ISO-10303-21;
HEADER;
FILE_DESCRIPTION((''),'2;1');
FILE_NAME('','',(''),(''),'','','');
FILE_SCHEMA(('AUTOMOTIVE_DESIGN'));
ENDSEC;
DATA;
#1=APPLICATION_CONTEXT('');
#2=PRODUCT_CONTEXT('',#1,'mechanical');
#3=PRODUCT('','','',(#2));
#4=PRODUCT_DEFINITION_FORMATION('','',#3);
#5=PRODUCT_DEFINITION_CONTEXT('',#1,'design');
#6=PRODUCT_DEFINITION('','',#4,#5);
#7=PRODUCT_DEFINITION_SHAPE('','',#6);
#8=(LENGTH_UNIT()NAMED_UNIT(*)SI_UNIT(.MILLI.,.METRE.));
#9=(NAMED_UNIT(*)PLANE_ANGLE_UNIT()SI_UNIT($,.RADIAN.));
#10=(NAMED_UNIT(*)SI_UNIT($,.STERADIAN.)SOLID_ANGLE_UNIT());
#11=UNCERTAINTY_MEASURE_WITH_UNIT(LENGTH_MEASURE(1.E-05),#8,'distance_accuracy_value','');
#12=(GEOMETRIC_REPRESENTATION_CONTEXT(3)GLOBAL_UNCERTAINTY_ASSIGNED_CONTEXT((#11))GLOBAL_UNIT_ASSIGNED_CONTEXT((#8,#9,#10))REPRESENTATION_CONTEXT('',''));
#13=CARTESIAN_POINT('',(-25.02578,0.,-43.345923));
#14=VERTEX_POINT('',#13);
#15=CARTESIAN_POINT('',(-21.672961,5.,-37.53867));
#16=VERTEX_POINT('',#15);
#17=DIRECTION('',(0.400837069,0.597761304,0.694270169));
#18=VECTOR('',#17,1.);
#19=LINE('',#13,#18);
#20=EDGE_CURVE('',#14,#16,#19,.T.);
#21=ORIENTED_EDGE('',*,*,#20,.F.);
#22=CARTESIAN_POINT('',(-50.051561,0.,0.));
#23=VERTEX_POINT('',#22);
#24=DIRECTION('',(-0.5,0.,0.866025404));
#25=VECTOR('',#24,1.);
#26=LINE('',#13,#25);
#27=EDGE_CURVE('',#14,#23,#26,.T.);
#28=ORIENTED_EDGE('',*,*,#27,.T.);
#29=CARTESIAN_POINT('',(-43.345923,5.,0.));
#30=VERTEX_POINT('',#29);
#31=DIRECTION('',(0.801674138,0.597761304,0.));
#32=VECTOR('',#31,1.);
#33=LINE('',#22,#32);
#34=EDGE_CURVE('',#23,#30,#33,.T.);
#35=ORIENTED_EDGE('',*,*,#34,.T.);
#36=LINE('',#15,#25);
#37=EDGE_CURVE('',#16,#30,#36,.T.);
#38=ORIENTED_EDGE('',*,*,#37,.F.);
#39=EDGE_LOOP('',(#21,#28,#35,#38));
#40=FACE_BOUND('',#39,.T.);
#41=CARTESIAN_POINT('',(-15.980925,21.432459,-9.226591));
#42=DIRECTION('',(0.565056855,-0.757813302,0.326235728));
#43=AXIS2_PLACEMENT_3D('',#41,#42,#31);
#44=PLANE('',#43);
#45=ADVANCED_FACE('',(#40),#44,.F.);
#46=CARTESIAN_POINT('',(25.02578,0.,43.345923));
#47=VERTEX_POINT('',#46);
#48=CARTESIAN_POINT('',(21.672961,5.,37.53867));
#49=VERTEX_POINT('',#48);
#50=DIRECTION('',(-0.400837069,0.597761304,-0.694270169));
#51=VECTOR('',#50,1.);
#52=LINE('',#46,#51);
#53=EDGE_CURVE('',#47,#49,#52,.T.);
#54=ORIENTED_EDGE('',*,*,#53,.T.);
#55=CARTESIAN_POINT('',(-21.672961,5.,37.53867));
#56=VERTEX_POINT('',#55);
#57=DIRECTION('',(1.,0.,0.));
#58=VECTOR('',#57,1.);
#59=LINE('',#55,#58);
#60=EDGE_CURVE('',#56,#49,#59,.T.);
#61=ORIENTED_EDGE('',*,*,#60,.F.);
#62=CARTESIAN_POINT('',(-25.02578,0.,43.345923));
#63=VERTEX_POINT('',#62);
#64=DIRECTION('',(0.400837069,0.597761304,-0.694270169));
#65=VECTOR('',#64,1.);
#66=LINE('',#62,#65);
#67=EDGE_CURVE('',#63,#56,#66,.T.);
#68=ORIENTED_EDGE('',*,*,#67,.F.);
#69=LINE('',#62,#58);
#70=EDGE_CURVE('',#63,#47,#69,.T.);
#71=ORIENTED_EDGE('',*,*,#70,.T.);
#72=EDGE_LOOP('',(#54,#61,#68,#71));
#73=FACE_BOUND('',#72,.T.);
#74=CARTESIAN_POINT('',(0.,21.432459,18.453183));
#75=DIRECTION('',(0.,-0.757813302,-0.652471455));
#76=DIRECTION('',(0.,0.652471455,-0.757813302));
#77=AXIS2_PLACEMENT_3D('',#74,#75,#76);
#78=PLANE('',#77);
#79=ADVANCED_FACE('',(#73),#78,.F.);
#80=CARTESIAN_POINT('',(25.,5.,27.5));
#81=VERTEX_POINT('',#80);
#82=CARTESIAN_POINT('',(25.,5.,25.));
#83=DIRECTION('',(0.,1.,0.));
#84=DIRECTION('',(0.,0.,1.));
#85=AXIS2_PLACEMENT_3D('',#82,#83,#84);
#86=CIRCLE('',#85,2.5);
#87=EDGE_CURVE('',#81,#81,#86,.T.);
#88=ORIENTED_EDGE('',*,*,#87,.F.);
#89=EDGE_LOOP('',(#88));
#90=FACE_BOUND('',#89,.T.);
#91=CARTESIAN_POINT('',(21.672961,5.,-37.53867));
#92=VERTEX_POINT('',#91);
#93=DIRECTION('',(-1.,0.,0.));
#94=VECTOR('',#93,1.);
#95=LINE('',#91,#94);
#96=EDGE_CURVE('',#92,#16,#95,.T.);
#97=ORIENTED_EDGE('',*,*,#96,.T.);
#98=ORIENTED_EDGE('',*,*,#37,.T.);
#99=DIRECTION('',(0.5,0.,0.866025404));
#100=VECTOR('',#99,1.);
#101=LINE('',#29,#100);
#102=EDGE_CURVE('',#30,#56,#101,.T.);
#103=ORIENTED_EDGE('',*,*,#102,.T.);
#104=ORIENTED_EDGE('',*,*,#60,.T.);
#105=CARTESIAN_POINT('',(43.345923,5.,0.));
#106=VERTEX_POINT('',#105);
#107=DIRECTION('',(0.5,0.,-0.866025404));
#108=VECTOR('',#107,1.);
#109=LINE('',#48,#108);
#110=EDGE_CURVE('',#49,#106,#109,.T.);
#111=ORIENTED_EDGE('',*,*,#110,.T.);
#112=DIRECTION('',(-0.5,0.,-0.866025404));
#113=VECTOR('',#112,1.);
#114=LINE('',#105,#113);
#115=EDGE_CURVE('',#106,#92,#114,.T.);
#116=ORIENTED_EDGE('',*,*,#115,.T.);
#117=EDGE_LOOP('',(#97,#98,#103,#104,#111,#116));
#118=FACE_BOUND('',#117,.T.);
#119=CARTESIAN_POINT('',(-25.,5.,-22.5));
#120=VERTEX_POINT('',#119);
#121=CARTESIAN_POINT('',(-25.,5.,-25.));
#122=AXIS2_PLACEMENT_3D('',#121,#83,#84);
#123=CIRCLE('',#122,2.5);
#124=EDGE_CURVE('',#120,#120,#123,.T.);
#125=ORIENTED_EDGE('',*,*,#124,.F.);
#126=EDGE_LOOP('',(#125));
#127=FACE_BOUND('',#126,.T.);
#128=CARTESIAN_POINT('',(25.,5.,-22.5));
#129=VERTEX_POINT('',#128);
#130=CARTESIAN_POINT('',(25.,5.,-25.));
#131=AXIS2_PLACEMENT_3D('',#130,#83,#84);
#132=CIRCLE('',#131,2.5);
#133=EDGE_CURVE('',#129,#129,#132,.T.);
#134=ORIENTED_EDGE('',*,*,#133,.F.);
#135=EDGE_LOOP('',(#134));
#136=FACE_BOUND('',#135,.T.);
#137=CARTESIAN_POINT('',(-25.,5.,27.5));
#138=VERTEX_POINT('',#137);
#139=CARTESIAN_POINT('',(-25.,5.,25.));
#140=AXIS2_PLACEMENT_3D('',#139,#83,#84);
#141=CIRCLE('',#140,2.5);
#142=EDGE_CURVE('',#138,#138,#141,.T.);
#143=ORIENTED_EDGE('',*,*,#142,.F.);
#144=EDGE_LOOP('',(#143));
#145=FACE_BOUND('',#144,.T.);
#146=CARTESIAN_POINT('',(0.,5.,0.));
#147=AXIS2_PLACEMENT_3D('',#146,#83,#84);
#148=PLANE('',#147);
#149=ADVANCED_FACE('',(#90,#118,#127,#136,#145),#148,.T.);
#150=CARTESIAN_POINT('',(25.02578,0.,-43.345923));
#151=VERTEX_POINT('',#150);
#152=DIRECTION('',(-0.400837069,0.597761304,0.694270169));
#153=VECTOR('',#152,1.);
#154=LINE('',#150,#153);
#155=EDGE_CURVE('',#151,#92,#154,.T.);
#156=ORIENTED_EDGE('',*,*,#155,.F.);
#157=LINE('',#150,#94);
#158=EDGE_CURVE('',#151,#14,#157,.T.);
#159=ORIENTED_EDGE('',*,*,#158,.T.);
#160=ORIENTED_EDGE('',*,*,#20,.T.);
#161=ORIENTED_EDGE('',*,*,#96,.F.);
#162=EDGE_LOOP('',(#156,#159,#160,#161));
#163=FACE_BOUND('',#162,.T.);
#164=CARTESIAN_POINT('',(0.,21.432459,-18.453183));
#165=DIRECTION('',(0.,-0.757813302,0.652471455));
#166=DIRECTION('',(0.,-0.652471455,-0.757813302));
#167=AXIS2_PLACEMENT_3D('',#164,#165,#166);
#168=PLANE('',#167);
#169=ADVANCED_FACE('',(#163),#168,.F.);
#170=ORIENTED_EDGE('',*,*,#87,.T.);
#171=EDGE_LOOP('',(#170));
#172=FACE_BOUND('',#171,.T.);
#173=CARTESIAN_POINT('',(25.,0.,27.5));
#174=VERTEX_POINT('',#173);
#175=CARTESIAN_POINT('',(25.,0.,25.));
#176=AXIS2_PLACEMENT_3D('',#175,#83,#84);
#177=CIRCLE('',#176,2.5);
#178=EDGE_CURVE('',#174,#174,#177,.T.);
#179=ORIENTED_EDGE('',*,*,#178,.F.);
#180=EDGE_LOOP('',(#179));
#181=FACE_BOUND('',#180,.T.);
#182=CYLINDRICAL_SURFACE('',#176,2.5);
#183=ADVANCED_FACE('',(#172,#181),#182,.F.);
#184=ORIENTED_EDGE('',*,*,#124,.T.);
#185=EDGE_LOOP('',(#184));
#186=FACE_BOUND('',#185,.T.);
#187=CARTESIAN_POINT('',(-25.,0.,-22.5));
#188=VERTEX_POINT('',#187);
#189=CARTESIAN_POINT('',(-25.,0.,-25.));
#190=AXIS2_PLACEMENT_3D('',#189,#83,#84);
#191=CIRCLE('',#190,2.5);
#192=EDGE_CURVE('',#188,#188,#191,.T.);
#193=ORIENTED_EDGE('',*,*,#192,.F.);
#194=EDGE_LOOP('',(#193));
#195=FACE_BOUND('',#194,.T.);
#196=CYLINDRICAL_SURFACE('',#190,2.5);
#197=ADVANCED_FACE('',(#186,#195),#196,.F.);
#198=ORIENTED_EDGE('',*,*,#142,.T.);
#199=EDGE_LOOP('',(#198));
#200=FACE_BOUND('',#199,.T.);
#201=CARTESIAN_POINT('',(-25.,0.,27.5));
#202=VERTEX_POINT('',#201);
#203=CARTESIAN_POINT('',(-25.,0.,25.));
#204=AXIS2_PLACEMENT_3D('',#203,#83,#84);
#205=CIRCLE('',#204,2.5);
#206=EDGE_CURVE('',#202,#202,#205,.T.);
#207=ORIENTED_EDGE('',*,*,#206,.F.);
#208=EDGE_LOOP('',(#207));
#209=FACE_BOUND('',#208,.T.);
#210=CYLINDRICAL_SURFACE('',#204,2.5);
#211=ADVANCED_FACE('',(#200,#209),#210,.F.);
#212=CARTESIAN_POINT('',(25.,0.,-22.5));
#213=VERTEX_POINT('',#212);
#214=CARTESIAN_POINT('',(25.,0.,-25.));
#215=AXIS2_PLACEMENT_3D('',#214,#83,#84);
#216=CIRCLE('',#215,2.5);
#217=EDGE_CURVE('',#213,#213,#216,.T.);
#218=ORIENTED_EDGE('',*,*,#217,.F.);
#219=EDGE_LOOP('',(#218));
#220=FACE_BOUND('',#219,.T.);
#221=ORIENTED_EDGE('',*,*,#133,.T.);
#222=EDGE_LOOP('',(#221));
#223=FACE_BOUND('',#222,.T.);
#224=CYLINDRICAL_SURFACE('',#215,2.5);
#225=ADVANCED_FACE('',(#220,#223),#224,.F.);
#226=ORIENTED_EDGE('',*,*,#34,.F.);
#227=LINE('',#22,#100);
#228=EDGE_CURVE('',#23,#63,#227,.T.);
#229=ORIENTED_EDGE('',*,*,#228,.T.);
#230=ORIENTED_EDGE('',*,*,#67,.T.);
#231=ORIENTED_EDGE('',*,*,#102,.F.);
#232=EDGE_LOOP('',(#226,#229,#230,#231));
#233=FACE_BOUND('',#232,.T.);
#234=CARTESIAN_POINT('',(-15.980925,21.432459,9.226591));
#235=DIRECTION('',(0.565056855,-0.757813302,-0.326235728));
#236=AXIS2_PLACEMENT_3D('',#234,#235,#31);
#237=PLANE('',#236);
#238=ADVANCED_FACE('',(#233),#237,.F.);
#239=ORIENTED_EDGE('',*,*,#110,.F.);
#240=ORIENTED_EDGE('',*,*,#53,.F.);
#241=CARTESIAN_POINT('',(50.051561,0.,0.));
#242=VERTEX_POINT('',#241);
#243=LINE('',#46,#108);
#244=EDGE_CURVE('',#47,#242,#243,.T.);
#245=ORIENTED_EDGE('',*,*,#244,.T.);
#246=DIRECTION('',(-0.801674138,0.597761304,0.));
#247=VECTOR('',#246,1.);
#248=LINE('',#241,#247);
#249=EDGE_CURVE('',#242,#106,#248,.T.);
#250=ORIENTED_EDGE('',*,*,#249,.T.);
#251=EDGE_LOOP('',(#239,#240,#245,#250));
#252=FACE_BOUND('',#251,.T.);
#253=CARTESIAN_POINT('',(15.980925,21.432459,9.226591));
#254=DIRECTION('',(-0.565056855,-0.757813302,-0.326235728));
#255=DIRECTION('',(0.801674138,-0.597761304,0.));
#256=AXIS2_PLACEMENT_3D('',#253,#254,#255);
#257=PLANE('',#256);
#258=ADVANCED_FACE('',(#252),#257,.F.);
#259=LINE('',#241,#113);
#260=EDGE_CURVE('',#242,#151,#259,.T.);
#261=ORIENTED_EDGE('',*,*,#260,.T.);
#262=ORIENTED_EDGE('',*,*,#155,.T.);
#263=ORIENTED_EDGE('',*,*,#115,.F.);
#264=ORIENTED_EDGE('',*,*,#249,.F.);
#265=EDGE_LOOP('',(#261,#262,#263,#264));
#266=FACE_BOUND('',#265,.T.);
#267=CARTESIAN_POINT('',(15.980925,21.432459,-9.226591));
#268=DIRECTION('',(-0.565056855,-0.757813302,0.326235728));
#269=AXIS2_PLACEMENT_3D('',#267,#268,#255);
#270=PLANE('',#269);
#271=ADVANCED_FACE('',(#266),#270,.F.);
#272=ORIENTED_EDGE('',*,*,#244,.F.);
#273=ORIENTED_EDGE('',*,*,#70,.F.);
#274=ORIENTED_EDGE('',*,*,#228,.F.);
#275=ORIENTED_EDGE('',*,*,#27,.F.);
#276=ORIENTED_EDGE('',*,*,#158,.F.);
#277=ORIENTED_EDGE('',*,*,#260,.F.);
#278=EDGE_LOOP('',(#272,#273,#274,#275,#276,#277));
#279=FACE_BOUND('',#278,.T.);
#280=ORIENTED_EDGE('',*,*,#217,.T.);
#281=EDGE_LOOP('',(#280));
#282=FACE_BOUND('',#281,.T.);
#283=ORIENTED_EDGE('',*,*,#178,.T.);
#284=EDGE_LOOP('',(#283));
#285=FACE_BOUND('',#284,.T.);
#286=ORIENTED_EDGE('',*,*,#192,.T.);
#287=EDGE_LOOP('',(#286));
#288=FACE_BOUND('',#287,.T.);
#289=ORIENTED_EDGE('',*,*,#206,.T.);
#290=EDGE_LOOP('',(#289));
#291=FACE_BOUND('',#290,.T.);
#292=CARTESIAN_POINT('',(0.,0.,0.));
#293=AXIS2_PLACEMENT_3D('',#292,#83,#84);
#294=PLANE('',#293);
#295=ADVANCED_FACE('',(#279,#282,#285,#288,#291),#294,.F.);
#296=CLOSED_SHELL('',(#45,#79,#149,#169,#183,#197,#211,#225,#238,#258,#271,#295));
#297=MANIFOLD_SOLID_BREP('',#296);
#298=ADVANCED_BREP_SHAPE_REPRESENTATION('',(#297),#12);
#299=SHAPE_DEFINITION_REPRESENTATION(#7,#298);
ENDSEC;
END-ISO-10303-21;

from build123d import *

# Parameters (mm, degrees)
SKETCH4_R          = 2.5
CUT_EXTRUDE1_DEPTH = 5
SKETCH5_R          = 2.5
CUT_EXTRUDE2_DEPTH = 5
SKETCH6_R          = 2.5
CUT_EXTRUDE3_DEPTH = 5
SKETCH7_R          = 2.5
CUT_EXTRUDE4_DEPTH = 5


with BuildPart() as part:
    # Sketch1 → Loft3 section 0
    with BuildSketch(Plane(origin=(0, 0, 0), x_dir=(1, 0, 0), z_dir=(0, 1, 0))):
        with BuildLine():
            Line((50.051560618, 0), (25.025780309, 43.345922995))
            Line((25.025780309, 43.345922995), (-25.025780309, 43.345922995))
            Line((-25.025780309, 43.345922995), (-50.051560618, 0))
            Line((-50.051560618, 0), (-25.025780309, -43.345922995))
            Line((-25.025780309, -43.345922995), (25.025780309, -43.345922995))
            Line((25.025780309, -43.345922995), (50.051560618, 0))
        make_face()
    # Sketch2 → Loft3 section 1
    with BuildSketch(Plane(origin=(0, 5, 0), x_dir=(1, 0, 0), z_dir=(0, 1, 0))):
        with BuildLine():
            Line((43.345922995, 0), (21.672961497, 37.538670464))
            Line((21.672961497, 37.538670464), (-21.672961497, 37.538670464))
            Line((-21.672961497, 37.538670464), (-43.345922995, 0))
            Line((-43.345922995, 0), (-21.672961497, -37.538670464))
            Line((-21.672961497, -37.538670464), (21.672961497, -37.538670464))
            Line((21.672961497, -37.538670464), (43.345922995, 0))
        make_face()
    loft()

    # Sketch4 → Cut-Extrude1 (cut)
    with BuildSketch(Plane(origin=(0, 5, 0), x_dir=(1, 0, 0), z_dir=(0, 1, 0))):
        with Locations(Location((-25, 25, 0), (0, 0, 270))):
            Circle(SKETCH4_R)
    extrude(amount=-CUT_EXTRUDE1_DEPTH, mode=Mode.SUBTRACT)

    # Sketch5 → Cut-Extrude2 (cut)
    with BuildSketch(Plane(origin=(0, 5, 0), x_dir=(1, 0, 0), z_dir=(0, 1, 0))):
        with Locations(Location((25, 25, 0), (0, 0, 270))):
            Circle(SKETCH5_R)
    extrude(amount=-CUT_EXTRUDE2_DEPTH, mode=Mode.SUBTRACT)

    # Sketch6 → Cut-Extrude3 (cut)
    with BuildSketch(Plane(origin=(0, 5, 0), x_dir=(1, 0, 0), z_dir=(0, 1, 0))):
        with Locations(Location((-25, -25, 0), (0, 0, 270))):
            Circle(SKETCH6_R)
    extrude(amount=-CUT_EXTRUDE3_DEPTH, mode=Mode.SUBTRACT)

    # Sketch7 → Cut-Extrude4 (cut)
    with BuildSketch(Plane(origin=(0, 5, 0), x_dir=(1, 0, 0), z_dir=(0, 1, 0))):
        with Locations(Location((25, -25, 0), (0, 0, 270))):
            Circle(SKETCH7_R)
    extrude(amount=-CUT_EXTRUDE4_DEPTH, mode=Mode.SUBTRACT)


solid = part.part
